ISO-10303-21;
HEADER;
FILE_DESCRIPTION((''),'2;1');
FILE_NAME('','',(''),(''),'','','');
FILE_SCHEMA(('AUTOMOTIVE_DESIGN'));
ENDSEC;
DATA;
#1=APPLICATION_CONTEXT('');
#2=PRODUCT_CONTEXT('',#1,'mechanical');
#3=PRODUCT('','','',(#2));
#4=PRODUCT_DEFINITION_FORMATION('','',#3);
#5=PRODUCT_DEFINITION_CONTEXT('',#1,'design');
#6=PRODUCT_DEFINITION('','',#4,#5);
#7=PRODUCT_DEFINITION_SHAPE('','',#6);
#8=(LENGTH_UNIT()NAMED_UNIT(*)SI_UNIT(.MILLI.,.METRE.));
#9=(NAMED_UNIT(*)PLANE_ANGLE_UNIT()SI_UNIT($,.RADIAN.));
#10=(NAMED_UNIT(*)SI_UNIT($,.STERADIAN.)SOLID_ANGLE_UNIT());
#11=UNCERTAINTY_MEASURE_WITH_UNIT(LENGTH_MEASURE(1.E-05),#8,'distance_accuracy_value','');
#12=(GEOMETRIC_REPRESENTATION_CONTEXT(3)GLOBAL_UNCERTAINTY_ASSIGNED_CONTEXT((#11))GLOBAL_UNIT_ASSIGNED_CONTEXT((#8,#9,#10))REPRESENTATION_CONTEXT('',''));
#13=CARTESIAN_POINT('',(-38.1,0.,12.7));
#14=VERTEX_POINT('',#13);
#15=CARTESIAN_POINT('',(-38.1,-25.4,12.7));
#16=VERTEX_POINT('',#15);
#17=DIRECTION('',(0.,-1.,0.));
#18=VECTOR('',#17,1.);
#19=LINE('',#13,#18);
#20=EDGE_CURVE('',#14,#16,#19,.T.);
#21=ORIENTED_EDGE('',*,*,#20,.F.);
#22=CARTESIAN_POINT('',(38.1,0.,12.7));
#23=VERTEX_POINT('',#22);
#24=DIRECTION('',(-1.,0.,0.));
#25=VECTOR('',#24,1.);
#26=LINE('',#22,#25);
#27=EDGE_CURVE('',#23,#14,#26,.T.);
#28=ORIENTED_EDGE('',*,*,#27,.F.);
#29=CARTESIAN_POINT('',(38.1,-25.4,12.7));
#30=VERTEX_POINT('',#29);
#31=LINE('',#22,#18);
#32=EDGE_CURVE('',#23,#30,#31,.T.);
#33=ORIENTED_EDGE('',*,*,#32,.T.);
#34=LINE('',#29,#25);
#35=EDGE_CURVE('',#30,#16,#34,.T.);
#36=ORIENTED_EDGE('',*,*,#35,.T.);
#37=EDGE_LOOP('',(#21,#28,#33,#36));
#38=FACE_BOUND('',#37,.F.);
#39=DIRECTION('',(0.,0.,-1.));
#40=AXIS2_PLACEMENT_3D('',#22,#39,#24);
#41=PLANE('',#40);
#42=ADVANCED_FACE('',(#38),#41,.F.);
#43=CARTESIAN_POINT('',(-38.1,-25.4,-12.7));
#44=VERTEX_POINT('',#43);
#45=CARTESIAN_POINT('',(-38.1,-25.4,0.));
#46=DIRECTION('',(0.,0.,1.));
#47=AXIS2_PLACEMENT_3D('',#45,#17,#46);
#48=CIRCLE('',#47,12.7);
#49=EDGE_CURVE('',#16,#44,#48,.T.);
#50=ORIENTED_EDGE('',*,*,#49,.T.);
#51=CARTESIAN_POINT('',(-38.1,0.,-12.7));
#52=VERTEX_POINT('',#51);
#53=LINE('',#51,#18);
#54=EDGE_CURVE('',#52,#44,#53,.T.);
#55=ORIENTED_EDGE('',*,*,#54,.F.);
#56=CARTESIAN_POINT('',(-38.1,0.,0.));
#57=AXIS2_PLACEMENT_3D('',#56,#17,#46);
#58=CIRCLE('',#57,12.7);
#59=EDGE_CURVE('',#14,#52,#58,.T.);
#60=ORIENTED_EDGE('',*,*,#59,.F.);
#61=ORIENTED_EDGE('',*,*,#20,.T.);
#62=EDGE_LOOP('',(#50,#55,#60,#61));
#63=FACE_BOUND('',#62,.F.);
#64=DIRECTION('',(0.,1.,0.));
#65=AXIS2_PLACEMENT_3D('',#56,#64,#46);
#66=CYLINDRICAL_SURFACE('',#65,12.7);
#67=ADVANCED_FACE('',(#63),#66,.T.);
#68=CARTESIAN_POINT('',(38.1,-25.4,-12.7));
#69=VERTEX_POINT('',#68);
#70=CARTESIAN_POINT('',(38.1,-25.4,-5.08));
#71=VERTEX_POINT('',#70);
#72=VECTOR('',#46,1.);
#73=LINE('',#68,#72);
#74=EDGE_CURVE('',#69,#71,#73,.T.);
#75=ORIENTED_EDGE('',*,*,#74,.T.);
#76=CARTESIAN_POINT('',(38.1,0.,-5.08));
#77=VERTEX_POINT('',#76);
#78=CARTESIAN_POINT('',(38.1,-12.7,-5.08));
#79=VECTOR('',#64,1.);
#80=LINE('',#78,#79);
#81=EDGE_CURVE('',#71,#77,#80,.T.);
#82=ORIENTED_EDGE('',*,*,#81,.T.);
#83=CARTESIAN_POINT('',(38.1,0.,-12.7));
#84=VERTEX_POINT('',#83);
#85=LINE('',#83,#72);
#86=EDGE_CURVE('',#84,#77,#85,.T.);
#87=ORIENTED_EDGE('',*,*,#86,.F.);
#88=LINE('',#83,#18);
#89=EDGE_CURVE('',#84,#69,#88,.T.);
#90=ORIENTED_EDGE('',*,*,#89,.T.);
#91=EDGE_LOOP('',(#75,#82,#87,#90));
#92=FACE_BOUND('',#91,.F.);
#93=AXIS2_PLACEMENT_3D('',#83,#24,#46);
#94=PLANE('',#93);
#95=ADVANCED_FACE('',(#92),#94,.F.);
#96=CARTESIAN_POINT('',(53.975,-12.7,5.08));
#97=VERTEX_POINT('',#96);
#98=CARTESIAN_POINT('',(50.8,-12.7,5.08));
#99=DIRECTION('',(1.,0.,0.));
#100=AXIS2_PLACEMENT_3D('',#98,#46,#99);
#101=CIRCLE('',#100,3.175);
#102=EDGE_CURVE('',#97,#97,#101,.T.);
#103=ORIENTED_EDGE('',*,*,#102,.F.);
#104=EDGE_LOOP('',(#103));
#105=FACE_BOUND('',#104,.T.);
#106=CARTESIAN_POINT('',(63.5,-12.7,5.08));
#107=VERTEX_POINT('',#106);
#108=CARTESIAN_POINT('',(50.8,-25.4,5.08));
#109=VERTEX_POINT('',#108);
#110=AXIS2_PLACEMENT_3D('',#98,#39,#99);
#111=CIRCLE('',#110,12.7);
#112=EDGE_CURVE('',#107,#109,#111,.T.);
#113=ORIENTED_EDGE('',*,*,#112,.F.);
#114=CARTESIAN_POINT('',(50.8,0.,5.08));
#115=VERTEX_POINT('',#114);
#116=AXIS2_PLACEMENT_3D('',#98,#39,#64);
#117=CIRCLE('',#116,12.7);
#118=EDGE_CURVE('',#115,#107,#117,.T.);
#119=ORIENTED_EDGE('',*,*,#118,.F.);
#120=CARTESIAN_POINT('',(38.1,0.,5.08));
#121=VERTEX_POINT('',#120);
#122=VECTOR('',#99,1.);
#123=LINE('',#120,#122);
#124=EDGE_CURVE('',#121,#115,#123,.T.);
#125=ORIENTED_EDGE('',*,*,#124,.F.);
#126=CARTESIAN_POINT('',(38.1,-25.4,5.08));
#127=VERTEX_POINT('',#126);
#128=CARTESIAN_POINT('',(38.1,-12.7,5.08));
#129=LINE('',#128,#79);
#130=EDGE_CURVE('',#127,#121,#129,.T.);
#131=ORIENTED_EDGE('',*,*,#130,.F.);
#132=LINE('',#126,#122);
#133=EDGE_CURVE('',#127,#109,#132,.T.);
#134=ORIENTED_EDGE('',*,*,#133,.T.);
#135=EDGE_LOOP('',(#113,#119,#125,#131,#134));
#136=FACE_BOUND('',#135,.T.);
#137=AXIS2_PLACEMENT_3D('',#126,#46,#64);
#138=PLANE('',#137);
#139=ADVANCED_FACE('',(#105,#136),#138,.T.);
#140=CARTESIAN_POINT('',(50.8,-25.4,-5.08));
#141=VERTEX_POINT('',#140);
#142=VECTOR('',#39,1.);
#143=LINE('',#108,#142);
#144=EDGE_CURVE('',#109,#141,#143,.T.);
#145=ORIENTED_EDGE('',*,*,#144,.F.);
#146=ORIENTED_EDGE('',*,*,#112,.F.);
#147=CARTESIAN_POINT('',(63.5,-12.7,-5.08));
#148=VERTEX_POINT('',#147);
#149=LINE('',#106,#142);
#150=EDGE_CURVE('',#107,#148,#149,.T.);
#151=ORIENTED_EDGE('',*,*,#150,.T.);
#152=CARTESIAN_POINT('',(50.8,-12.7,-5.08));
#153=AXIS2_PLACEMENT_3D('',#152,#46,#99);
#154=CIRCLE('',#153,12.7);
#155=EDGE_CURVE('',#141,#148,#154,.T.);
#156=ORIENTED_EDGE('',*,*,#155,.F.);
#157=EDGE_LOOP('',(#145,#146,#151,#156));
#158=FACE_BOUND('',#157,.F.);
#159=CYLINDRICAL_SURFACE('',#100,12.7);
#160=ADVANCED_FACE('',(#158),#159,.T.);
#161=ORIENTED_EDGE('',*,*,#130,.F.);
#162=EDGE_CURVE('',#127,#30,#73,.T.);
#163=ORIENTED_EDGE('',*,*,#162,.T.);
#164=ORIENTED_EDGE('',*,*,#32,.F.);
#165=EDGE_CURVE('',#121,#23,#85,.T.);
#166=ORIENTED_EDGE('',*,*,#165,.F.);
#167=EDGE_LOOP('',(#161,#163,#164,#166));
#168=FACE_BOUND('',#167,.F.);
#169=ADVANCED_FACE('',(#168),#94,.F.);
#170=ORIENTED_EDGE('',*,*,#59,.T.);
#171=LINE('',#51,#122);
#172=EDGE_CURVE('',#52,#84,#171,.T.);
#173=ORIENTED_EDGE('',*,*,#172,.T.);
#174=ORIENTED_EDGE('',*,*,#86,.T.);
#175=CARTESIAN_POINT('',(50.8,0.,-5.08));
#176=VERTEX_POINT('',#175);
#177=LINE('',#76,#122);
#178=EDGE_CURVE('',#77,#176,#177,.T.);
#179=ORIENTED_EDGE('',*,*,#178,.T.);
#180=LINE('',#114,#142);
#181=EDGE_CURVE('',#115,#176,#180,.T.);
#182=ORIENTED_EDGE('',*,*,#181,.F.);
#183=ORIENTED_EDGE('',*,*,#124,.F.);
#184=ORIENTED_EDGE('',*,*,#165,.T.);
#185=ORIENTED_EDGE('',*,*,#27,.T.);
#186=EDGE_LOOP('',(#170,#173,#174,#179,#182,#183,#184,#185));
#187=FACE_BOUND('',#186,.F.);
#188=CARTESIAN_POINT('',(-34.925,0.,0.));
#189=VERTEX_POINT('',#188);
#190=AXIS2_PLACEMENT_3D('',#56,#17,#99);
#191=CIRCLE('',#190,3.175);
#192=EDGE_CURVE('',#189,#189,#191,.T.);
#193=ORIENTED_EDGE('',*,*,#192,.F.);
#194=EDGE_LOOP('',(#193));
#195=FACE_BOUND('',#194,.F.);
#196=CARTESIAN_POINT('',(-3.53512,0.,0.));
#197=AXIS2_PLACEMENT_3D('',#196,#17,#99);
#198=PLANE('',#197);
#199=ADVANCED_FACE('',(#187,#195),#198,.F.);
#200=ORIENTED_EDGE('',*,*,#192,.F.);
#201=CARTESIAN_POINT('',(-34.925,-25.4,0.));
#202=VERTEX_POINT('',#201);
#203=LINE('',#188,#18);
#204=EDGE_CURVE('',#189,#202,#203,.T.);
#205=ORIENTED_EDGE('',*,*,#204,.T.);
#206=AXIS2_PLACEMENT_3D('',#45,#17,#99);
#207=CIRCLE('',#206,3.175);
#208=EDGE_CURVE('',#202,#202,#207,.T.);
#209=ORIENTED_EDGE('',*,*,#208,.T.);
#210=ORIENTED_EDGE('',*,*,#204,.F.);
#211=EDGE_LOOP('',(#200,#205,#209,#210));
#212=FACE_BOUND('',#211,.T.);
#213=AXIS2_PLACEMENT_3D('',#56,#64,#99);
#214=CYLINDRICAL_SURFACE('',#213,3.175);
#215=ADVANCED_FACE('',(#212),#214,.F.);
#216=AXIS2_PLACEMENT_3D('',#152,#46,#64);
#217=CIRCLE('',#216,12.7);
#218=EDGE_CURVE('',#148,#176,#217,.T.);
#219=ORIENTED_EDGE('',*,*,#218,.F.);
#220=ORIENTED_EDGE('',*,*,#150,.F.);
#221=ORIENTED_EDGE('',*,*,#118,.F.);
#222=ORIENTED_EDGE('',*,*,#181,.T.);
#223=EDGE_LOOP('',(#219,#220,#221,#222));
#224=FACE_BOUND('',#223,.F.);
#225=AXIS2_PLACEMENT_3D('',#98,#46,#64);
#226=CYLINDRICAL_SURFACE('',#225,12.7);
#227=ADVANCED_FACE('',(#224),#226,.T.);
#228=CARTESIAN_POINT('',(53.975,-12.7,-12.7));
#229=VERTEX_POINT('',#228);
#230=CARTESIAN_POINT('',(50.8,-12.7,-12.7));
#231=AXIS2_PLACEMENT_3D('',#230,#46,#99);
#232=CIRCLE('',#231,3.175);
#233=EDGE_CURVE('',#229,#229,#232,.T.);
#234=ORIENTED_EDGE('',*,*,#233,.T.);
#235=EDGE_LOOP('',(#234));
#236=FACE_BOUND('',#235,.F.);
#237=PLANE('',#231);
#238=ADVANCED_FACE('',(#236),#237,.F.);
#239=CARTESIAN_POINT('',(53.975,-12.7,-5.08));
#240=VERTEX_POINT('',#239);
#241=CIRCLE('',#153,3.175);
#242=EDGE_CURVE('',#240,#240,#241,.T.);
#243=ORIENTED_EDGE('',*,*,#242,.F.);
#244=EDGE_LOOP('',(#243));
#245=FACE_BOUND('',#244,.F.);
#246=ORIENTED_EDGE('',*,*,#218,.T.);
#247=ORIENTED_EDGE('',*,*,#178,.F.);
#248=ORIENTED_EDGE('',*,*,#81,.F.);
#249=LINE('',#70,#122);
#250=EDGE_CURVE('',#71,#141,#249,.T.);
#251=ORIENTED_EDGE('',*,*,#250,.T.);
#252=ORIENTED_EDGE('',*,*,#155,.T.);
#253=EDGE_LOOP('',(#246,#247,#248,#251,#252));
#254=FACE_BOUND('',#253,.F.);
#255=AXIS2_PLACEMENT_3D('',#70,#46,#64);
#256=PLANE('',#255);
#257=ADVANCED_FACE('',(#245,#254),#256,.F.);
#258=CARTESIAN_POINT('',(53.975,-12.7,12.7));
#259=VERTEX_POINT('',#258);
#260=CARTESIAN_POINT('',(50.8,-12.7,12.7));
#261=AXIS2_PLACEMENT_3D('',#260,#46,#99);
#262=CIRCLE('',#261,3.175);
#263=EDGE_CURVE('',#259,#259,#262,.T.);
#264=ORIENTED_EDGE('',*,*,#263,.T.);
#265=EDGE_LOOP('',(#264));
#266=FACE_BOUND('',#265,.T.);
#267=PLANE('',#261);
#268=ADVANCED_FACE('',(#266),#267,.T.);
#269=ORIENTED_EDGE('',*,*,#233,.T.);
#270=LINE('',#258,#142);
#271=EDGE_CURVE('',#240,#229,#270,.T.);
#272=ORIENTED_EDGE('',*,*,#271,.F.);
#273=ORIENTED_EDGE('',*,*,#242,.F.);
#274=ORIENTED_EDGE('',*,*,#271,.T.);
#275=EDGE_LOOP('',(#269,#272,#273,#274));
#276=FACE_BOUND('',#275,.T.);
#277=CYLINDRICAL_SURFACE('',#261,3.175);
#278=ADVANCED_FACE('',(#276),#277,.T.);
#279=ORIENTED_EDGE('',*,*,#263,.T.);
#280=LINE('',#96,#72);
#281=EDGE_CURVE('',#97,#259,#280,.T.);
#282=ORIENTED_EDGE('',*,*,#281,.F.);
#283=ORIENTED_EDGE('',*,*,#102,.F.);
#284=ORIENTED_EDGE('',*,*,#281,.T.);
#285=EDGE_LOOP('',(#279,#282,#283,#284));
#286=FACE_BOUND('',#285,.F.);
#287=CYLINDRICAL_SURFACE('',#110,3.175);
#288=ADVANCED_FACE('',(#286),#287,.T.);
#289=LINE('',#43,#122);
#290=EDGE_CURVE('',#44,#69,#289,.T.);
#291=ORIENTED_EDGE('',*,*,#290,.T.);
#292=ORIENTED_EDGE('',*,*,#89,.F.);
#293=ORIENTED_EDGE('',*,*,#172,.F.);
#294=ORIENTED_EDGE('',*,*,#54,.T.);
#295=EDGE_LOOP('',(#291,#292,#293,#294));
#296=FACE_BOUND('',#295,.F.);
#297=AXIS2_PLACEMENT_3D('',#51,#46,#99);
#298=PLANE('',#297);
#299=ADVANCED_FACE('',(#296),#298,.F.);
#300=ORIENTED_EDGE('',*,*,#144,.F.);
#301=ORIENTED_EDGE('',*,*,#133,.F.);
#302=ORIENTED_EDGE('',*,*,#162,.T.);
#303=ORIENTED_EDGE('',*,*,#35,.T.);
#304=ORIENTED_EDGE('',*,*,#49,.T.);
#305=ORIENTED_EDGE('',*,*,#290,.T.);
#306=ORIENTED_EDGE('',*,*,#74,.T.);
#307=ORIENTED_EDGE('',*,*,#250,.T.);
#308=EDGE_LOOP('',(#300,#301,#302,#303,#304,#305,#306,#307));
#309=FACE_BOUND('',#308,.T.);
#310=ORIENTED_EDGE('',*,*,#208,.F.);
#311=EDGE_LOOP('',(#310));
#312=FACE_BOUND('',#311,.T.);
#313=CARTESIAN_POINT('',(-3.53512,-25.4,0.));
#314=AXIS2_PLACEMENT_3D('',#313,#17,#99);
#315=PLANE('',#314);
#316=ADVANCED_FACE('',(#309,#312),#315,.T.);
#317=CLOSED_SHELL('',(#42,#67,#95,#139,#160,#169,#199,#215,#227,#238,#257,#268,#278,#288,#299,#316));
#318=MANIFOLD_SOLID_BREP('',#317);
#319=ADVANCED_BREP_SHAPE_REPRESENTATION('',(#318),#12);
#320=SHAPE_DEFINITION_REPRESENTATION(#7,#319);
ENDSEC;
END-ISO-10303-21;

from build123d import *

# Parameters (mm, degrees)
F0_R     = 3.175
F1_DEPTH = 25.4
F2_W     = 25.4
F2_H     = 10.16
F3_DEPTH = 25.4
F5_DEPTH = 25.4
F4_R     = 3.175
F6_DEPTH = 7.62
F7_DEPTH = 25.4


with BuildPart() as f1:
    # F0 (on Front) → F1 (new body)
    with BuildSketch(Plane.XZ):
        with BuildLine():
            Line((38.1, 12.7), (-38.1, 12.7))
            ThreePointArc((-38.1, 12.7), (-50.8, 0), (-38.1, -12.7))
            Line((-38.1, -12.7), (38.1, -12.7))
            Line((38.1, -12.7), (38.1, 12.7))
        make_face()
        with Locations((-38.1, 0)):
            Circle(F0_R, mode=Mode.SUBTRACT)
    extrude(amount=F1_DEPTH)

    # F2 (on face) → F3 (join)
    with BuildSketch(Plane.YZ.offset(38.1)):
        with Locations((-12.7, 0)):
            Rectangle(F2_W, F2_H)
    extrude(amount=F3_DEPTH)

    # F4 (on face) → F5 (cut)
    with BuildSketch(Plane.XY.offset(5.08)):
        with BuildLine():
            ThreePointArc((50.8, 0), (59.7802561211, -3.7197438789), (63.5, -12.7))
            Line((63.5, -12.7), (63.5, 0))
            Line((63.5, 0), (50.8, 0))
        make_face()
        with BuildLine():
            Line((63.5, -25.4), (63.5, -12.7))
            ThreePointArc((63.5, -12.7), (59.7802561211, -21.6802561211), (50.8, -25.4))
            Line((50.8, -25.4), (63.5, -25.4))
        make_face()
    extrude(amount=-F5_DEPTH, mode=Mode.SUBTRACT)

    # F4 (on face) → F6 (join)
    with BuildSketch(Plane.XY.offset(5.08)):
        with Locations((50.8, -12.7)):
            Circle(F4_R)
    extrude(amount=F6_DEPTH)

    # F7 (add): a face of the model
    f7_faces = [f1.faces().sort_by_distance(p)[0] for p in [
        (50.8, -12.7, 12.7),
    ]]
    extrude(f7_faces, amount=-F7_DEPTH)


solid = f1.part
